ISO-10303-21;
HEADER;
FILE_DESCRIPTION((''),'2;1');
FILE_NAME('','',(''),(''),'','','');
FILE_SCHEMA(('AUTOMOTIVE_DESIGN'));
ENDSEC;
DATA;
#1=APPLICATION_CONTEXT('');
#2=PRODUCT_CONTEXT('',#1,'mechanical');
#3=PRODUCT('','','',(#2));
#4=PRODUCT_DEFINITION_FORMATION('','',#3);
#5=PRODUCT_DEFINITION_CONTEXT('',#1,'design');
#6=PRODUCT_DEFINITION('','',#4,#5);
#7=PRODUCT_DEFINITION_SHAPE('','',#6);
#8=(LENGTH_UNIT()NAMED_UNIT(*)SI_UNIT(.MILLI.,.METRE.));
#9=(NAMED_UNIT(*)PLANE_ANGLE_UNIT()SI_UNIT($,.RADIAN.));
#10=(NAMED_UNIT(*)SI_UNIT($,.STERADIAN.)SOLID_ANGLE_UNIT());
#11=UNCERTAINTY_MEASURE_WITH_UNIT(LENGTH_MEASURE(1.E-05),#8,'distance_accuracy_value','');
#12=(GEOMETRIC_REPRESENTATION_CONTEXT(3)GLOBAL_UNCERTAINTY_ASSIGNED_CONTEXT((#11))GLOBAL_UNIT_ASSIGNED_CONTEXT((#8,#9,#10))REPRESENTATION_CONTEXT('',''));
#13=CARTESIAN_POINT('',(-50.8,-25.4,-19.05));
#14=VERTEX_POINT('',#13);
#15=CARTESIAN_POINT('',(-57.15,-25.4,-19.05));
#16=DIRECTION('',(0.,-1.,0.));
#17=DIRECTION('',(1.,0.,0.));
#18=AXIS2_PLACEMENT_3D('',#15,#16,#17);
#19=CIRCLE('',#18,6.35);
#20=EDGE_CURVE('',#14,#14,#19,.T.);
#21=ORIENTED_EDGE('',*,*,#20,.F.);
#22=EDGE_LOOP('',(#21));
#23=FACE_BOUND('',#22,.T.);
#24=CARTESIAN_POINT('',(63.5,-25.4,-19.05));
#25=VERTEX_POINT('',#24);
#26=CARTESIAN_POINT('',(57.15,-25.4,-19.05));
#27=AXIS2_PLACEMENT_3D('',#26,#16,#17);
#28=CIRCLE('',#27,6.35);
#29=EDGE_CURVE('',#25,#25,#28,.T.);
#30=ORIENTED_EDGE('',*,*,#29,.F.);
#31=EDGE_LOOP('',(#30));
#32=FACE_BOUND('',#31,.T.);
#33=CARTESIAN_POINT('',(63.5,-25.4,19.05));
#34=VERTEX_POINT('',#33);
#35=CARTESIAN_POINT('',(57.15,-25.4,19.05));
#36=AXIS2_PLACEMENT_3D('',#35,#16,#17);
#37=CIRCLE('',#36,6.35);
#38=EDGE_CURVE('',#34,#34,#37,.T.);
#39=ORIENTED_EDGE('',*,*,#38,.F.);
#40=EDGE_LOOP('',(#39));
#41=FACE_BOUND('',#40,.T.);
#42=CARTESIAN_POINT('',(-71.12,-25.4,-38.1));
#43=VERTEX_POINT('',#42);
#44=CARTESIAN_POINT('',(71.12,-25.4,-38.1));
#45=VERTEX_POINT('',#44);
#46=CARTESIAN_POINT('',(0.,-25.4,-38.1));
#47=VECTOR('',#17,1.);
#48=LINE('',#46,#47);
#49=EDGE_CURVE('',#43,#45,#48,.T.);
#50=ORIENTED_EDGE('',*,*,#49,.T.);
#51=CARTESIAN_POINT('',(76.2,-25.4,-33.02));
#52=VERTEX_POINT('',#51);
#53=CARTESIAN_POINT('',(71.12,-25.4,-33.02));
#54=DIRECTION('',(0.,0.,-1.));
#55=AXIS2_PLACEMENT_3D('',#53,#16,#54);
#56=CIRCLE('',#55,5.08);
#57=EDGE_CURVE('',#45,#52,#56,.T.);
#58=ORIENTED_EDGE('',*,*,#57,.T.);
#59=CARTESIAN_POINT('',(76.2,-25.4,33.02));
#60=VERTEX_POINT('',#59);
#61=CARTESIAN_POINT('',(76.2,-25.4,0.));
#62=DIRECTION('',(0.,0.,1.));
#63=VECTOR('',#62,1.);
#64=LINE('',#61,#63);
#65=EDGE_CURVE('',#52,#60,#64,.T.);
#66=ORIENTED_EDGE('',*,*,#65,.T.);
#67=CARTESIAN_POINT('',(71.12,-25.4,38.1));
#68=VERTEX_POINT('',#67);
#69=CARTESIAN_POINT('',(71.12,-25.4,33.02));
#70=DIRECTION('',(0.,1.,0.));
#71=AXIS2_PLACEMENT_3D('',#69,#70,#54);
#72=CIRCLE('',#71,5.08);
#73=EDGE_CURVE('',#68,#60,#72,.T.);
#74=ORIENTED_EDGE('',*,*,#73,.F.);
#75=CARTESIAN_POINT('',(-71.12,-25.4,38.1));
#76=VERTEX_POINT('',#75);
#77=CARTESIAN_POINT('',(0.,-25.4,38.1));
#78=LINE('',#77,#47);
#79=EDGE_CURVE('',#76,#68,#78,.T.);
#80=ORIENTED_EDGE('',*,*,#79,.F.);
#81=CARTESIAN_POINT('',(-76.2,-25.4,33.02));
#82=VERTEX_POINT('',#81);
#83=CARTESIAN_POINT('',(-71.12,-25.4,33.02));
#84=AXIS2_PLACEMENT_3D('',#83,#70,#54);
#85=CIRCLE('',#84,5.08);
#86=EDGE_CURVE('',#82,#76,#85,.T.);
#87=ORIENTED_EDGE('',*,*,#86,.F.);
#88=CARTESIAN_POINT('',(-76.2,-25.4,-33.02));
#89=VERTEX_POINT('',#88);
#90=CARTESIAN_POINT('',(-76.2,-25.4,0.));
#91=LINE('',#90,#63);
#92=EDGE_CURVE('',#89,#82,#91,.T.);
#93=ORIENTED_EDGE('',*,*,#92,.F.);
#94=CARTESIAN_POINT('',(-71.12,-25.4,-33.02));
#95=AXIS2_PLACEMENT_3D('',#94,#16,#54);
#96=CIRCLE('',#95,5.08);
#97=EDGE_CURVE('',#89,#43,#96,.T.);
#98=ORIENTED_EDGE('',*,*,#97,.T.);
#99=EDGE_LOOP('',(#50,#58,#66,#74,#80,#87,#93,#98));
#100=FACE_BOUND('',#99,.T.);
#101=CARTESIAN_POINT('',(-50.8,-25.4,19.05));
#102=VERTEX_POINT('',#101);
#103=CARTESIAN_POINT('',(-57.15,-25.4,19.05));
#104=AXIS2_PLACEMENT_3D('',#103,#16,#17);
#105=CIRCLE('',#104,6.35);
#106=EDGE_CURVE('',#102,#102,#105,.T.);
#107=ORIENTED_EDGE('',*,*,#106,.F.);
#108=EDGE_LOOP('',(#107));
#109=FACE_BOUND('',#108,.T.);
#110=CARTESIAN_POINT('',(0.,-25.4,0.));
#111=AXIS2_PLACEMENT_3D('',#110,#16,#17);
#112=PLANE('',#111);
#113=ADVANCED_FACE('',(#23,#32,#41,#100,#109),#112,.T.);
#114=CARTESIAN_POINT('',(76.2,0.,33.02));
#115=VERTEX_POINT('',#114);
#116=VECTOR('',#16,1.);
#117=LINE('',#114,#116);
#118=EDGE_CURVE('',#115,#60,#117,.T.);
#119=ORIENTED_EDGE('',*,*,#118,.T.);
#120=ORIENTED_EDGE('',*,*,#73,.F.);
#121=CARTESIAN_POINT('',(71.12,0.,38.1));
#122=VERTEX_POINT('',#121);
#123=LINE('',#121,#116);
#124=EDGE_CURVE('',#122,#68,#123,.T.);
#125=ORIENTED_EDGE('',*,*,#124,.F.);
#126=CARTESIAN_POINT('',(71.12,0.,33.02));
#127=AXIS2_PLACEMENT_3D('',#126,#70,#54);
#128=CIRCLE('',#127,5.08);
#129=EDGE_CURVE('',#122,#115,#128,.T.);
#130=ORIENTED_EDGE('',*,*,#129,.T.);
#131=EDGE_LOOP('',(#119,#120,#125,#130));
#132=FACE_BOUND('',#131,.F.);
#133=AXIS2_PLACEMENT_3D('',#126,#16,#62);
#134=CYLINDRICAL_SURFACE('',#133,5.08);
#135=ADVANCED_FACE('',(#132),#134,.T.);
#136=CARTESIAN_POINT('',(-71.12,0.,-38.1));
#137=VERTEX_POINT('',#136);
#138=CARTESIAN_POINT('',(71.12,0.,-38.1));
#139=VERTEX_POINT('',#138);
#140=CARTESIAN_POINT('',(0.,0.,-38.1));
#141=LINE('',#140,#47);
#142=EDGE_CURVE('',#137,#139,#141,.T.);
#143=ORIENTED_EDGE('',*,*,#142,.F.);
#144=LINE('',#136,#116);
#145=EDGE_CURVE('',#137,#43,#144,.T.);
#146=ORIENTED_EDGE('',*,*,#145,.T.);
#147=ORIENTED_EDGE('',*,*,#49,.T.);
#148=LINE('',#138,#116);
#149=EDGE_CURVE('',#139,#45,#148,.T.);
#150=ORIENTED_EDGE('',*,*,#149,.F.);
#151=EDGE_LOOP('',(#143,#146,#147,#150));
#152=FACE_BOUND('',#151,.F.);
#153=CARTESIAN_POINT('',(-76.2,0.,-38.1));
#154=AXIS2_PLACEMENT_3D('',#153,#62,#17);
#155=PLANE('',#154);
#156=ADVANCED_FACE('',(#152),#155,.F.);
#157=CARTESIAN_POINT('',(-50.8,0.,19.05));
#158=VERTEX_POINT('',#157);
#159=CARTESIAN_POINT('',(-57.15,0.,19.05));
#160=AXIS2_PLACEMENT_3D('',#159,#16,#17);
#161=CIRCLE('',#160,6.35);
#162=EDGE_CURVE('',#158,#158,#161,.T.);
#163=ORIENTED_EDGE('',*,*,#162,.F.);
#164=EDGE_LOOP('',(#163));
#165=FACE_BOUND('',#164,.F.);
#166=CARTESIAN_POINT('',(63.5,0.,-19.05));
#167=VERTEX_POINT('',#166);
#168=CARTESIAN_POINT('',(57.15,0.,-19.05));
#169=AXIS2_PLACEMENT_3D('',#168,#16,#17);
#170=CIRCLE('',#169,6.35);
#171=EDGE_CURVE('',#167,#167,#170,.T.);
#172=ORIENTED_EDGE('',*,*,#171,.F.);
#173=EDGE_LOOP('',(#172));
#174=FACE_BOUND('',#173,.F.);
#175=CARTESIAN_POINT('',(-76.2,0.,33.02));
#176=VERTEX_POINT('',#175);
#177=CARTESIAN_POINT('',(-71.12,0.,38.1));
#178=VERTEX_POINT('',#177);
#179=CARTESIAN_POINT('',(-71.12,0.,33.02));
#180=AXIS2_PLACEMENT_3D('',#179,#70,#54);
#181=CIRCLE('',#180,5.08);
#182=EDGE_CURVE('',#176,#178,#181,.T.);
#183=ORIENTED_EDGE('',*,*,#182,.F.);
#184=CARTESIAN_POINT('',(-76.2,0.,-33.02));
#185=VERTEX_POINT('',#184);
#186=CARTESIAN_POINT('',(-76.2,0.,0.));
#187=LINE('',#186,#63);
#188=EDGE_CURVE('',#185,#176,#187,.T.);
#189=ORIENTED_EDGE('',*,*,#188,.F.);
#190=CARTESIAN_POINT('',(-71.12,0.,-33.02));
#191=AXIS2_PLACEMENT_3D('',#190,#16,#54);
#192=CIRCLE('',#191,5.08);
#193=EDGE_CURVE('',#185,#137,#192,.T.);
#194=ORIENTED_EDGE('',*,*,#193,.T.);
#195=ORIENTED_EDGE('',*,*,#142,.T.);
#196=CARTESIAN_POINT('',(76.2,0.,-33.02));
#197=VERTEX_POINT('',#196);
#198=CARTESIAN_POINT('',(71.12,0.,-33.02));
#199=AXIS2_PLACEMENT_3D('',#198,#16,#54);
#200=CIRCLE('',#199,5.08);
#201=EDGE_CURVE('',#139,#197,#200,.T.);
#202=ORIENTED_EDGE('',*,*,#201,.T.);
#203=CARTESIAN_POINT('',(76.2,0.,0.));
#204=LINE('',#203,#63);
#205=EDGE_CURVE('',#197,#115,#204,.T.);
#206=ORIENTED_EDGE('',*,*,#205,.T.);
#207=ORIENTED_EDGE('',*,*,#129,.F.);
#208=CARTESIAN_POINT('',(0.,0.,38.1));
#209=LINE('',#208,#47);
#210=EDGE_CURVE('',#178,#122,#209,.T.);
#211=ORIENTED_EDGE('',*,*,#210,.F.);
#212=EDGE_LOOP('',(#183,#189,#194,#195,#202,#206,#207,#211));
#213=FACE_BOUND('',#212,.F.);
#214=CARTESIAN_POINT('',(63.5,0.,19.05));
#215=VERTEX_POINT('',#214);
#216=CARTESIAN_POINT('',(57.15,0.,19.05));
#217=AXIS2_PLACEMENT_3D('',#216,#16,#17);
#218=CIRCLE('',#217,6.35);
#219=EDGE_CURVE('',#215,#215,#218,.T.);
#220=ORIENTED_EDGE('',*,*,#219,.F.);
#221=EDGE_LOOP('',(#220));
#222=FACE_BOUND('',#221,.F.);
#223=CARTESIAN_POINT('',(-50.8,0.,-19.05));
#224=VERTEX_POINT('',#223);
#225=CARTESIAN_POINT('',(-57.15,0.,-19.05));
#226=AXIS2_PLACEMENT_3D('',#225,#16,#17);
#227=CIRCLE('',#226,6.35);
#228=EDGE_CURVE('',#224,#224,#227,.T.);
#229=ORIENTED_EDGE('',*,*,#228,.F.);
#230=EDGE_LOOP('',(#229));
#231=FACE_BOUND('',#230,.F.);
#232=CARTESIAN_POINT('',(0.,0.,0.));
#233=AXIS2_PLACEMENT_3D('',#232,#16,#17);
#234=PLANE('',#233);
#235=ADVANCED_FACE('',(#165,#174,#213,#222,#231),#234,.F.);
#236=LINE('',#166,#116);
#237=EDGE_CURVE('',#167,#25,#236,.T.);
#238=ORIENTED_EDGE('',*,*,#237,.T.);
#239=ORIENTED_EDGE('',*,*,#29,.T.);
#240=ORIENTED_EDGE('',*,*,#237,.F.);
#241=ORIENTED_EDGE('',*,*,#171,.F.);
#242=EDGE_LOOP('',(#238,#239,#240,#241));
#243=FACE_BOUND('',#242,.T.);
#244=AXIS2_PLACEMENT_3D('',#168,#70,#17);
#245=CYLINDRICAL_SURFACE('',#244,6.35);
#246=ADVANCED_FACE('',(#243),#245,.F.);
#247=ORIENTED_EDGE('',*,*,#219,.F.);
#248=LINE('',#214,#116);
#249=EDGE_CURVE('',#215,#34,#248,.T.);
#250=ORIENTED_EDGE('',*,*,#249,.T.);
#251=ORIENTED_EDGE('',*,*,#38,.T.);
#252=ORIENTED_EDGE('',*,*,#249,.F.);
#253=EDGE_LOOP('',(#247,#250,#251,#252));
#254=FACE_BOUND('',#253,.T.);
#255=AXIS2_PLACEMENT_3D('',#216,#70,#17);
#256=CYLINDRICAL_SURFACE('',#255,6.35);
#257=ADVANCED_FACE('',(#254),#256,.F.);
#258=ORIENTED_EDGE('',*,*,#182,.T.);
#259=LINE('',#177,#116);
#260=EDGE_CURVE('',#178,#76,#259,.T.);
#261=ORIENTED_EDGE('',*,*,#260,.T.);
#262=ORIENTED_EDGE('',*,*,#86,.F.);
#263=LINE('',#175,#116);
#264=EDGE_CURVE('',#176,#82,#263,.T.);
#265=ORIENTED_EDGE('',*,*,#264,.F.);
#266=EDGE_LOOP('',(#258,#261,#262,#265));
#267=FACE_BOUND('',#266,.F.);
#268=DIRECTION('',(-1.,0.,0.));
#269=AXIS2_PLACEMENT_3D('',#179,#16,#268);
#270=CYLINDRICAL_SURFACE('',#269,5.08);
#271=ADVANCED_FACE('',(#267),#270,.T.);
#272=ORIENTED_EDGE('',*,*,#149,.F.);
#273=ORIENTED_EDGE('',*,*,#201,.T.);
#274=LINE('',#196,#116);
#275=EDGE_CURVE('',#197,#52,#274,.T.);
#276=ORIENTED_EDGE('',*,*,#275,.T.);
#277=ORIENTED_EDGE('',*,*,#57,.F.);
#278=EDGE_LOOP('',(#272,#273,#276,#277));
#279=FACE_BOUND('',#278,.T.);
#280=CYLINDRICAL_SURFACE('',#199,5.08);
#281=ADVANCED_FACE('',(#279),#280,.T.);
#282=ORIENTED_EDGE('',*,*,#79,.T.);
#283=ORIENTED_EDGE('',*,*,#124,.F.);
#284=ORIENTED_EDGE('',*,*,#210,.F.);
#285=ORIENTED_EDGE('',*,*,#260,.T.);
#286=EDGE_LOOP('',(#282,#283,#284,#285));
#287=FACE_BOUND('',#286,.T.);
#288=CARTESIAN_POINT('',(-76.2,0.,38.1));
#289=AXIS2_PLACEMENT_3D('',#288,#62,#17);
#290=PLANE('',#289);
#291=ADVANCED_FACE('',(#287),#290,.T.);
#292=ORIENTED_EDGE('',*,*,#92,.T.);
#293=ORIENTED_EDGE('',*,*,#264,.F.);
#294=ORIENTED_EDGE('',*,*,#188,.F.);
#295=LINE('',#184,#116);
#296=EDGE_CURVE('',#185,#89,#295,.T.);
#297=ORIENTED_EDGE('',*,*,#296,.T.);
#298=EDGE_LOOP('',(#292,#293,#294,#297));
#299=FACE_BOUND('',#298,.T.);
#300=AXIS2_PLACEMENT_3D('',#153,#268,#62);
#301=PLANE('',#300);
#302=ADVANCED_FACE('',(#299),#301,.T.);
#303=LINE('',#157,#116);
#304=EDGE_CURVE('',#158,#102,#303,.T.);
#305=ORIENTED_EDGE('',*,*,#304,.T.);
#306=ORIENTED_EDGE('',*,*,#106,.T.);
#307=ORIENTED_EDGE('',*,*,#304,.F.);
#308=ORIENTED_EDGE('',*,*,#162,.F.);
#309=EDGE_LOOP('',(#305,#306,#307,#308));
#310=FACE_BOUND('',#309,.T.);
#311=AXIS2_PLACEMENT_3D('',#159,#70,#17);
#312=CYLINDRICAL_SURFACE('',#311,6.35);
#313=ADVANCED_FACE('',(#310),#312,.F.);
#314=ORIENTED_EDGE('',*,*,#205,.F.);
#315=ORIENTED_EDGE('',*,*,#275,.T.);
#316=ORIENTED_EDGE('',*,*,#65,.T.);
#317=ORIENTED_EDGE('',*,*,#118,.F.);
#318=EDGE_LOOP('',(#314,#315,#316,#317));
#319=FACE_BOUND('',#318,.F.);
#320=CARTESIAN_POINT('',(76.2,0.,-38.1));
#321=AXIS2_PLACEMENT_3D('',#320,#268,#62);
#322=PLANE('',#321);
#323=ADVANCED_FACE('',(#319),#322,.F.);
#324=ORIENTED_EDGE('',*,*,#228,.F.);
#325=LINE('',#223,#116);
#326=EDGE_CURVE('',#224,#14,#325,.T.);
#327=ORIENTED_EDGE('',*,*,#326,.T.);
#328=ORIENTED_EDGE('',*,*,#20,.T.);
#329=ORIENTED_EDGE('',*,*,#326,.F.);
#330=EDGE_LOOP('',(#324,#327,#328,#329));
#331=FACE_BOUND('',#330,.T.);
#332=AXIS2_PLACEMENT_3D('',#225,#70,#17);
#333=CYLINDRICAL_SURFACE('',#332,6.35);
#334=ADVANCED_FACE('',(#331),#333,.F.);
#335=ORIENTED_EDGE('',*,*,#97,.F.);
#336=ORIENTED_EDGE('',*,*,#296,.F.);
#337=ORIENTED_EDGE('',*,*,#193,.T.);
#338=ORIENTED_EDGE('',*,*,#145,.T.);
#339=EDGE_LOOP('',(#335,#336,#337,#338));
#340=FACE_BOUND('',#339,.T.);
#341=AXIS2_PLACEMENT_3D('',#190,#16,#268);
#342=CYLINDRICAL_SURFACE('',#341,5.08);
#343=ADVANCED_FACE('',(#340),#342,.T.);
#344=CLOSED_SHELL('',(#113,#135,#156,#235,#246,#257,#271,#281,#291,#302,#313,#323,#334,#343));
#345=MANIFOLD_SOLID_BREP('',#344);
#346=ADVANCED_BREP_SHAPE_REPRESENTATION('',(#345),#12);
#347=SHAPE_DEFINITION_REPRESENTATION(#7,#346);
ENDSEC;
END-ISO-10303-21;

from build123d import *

# Parameters (mm, degrees)
F0_W     = 152.4
F0_H     = 76.2
F0_R     = 6.35
F1_DEPTH = 25.4
F2_R     = 5.08


with BuildPart() as f1:
    # F0 (on Front) → F1 (new body)
    with BuildSketch(Plane.XZ):
        Rectangle(F0_W, F0_H)
        with Locations((-57.15, -19.05)):
            Circle(F0_R, mode=Mode.SUBTRACT)
        with Locations((57.15, -19.05)):
            Circle(F0_R, mode=Mode.SUBTRACT)
        with Locations((-57.15, 19.05)):
            Circle(F0_R, mode=Mode.SUBTRACT)
        with Locations((57.15, 19.05)):
            Circle(F0_R, mode=Mode.SUBTRACT)
    extrude(amount=F1_DEPTH)

    # F2
    f2_edges = [f1.edges().sort_by_distance(p)[0] for p in [
        (76.2, -12.7, 38.1),
        (-76.2, -12.7, -38.1),
        (-76.2, -12.7, 38.1),
        (76.2, -12.7, -38.1),
    ]]
    fillet(f2_edges, radius=F2_R)


solid = f1.part
